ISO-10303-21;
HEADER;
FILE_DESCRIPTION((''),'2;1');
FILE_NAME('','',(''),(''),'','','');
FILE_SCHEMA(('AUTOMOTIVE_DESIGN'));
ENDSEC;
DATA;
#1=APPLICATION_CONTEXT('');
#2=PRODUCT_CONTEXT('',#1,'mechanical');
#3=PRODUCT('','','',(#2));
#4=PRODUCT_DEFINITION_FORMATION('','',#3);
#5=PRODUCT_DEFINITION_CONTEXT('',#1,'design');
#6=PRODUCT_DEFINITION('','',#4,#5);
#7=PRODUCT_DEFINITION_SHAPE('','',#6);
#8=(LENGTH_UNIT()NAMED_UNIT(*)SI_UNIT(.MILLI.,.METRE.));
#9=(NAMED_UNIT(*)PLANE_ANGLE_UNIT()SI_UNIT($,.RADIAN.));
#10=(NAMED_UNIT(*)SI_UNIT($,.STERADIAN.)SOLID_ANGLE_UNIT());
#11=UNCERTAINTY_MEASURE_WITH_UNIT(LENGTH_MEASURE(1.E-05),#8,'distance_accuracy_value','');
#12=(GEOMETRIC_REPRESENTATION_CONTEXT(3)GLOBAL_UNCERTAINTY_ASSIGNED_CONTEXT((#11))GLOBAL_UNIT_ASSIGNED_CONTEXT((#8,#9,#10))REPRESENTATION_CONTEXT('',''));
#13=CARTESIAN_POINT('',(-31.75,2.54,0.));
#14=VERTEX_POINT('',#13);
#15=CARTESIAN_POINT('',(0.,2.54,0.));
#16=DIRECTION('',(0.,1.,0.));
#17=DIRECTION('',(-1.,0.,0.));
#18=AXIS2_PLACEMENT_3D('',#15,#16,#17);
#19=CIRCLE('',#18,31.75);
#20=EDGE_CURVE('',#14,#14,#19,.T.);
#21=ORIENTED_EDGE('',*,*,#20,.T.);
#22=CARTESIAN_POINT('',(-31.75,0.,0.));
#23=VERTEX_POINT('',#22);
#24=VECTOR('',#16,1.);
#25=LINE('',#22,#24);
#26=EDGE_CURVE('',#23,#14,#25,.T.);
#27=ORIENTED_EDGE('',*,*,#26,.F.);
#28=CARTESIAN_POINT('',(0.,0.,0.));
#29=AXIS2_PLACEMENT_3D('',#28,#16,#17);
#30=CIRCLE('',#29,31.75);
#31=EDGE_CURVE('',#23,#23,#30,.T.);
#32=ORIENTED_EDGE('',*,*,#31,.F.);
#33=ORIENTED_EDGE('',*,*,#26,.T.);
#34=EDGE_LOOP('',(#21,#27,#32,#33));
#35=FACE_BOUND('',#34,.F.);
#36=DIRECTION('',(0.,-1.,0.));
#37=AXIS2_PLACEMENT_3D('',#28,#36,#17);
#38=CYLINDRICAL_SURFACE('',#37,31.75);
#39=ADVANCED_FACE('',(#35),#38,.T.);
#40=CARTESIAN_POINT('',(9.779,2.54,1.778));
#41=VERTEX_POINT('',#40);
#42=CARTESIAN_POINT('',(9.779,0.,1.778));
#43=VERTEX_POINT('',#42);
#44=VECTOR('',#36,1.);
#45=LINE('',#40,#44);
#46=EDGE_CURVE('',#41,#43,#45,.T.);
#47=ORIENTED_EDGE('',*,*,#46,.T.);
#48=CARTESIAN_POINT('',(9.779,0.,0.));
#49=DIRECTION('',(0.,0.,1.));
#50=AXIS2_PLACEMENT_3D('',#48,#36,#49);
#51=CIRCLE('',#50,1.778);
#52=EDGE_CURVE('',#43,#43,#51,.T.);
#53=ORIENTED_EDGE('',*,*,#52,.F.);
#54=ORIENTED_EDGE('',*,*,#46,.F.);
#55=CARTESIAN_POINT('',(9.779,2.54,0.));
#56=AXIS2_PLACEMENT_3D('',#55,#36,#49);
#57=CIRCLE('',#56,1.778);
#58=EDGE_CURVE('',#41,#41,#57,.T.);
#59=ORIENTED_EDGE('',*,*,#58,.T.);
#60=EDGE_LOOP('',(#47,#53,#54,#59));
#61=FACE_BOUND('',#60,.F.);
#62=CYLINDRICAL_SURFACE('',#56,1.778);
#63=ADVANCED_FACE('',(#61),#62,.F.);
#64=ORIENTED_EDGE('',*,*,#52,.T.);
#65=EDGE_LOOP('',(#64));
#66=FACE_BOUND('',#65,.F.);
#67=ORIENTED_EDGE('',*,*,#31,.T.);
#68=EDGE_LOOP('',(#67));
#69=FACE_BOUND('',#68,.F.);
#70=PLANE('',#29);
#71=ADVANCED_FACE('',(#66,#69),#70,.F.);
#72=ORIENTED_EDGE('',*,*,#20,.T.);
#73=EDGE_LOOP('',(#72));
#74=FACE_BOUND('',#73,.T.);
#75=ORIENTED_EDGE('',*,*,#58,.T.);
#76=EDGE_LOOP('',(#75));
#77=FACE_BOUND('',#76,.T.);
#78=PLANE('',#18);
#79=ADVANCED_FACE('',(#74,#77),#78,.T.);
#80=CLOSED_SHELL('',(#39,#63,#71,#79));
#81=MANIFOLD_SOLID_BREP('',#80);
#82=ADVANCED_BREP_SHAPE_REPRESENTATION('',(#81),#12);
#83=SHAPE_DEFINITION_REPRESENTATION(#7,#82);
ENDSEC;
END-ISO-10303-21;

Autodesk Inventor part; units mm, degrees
ref_plane "YZ Plane" through (0, 0, 0) normal (1, 0, 0) x (0, 1, 0)
ref_plane "XZ Plane" through (0, 0, 0) normal (0, 1, 0) x (-1, 0, 0)
ref_plane "XY Plane" through (0, 0, 0) normal (0, 0, 1) x (1, 0, 0)
sketch "Sketch1" plane through (0, 0, 0) normal (0, 1, 0) x (-1, 0, 0)
  circle A0 centre (0, 0) radius 31.75
  circle A1 centre (9.779, 0) radius 1.778
  circle A2 centre (0, 9.779) radius 1.778
  circle A3 centre (-9.779, 0) radius 1.778
  circle A4 centre (0, -9.779) radius 1.778
  dimension "d0" = 63.5
  dimension "d3" = 3.556
  dimension "d6" = 360
extrude "Extrusion1" add sketch "Sketch1" along normal blind 2.54 contours A0 | A1 | A2 | A3 | A4
sketch "Sketch2" plane through (0, 2.54, 0) normal (0, 1, 0) x (1, 0, 0)
  point P0 (0, 0)
sketch "Sketch3" plane through (0, 2.54, 0) normal (0, 1, 0) x (1, 0, 0)
  circle A0 centre (9.779, 0) radius 1.778
  point P0 (0, 0)
  dimension "d8" = 3.556
hole "Hole1" at (9.779, 2.54, 0) direction (0, -1, 0) diameter 3.556 end through all
properties part number "WireSpoolSide"
